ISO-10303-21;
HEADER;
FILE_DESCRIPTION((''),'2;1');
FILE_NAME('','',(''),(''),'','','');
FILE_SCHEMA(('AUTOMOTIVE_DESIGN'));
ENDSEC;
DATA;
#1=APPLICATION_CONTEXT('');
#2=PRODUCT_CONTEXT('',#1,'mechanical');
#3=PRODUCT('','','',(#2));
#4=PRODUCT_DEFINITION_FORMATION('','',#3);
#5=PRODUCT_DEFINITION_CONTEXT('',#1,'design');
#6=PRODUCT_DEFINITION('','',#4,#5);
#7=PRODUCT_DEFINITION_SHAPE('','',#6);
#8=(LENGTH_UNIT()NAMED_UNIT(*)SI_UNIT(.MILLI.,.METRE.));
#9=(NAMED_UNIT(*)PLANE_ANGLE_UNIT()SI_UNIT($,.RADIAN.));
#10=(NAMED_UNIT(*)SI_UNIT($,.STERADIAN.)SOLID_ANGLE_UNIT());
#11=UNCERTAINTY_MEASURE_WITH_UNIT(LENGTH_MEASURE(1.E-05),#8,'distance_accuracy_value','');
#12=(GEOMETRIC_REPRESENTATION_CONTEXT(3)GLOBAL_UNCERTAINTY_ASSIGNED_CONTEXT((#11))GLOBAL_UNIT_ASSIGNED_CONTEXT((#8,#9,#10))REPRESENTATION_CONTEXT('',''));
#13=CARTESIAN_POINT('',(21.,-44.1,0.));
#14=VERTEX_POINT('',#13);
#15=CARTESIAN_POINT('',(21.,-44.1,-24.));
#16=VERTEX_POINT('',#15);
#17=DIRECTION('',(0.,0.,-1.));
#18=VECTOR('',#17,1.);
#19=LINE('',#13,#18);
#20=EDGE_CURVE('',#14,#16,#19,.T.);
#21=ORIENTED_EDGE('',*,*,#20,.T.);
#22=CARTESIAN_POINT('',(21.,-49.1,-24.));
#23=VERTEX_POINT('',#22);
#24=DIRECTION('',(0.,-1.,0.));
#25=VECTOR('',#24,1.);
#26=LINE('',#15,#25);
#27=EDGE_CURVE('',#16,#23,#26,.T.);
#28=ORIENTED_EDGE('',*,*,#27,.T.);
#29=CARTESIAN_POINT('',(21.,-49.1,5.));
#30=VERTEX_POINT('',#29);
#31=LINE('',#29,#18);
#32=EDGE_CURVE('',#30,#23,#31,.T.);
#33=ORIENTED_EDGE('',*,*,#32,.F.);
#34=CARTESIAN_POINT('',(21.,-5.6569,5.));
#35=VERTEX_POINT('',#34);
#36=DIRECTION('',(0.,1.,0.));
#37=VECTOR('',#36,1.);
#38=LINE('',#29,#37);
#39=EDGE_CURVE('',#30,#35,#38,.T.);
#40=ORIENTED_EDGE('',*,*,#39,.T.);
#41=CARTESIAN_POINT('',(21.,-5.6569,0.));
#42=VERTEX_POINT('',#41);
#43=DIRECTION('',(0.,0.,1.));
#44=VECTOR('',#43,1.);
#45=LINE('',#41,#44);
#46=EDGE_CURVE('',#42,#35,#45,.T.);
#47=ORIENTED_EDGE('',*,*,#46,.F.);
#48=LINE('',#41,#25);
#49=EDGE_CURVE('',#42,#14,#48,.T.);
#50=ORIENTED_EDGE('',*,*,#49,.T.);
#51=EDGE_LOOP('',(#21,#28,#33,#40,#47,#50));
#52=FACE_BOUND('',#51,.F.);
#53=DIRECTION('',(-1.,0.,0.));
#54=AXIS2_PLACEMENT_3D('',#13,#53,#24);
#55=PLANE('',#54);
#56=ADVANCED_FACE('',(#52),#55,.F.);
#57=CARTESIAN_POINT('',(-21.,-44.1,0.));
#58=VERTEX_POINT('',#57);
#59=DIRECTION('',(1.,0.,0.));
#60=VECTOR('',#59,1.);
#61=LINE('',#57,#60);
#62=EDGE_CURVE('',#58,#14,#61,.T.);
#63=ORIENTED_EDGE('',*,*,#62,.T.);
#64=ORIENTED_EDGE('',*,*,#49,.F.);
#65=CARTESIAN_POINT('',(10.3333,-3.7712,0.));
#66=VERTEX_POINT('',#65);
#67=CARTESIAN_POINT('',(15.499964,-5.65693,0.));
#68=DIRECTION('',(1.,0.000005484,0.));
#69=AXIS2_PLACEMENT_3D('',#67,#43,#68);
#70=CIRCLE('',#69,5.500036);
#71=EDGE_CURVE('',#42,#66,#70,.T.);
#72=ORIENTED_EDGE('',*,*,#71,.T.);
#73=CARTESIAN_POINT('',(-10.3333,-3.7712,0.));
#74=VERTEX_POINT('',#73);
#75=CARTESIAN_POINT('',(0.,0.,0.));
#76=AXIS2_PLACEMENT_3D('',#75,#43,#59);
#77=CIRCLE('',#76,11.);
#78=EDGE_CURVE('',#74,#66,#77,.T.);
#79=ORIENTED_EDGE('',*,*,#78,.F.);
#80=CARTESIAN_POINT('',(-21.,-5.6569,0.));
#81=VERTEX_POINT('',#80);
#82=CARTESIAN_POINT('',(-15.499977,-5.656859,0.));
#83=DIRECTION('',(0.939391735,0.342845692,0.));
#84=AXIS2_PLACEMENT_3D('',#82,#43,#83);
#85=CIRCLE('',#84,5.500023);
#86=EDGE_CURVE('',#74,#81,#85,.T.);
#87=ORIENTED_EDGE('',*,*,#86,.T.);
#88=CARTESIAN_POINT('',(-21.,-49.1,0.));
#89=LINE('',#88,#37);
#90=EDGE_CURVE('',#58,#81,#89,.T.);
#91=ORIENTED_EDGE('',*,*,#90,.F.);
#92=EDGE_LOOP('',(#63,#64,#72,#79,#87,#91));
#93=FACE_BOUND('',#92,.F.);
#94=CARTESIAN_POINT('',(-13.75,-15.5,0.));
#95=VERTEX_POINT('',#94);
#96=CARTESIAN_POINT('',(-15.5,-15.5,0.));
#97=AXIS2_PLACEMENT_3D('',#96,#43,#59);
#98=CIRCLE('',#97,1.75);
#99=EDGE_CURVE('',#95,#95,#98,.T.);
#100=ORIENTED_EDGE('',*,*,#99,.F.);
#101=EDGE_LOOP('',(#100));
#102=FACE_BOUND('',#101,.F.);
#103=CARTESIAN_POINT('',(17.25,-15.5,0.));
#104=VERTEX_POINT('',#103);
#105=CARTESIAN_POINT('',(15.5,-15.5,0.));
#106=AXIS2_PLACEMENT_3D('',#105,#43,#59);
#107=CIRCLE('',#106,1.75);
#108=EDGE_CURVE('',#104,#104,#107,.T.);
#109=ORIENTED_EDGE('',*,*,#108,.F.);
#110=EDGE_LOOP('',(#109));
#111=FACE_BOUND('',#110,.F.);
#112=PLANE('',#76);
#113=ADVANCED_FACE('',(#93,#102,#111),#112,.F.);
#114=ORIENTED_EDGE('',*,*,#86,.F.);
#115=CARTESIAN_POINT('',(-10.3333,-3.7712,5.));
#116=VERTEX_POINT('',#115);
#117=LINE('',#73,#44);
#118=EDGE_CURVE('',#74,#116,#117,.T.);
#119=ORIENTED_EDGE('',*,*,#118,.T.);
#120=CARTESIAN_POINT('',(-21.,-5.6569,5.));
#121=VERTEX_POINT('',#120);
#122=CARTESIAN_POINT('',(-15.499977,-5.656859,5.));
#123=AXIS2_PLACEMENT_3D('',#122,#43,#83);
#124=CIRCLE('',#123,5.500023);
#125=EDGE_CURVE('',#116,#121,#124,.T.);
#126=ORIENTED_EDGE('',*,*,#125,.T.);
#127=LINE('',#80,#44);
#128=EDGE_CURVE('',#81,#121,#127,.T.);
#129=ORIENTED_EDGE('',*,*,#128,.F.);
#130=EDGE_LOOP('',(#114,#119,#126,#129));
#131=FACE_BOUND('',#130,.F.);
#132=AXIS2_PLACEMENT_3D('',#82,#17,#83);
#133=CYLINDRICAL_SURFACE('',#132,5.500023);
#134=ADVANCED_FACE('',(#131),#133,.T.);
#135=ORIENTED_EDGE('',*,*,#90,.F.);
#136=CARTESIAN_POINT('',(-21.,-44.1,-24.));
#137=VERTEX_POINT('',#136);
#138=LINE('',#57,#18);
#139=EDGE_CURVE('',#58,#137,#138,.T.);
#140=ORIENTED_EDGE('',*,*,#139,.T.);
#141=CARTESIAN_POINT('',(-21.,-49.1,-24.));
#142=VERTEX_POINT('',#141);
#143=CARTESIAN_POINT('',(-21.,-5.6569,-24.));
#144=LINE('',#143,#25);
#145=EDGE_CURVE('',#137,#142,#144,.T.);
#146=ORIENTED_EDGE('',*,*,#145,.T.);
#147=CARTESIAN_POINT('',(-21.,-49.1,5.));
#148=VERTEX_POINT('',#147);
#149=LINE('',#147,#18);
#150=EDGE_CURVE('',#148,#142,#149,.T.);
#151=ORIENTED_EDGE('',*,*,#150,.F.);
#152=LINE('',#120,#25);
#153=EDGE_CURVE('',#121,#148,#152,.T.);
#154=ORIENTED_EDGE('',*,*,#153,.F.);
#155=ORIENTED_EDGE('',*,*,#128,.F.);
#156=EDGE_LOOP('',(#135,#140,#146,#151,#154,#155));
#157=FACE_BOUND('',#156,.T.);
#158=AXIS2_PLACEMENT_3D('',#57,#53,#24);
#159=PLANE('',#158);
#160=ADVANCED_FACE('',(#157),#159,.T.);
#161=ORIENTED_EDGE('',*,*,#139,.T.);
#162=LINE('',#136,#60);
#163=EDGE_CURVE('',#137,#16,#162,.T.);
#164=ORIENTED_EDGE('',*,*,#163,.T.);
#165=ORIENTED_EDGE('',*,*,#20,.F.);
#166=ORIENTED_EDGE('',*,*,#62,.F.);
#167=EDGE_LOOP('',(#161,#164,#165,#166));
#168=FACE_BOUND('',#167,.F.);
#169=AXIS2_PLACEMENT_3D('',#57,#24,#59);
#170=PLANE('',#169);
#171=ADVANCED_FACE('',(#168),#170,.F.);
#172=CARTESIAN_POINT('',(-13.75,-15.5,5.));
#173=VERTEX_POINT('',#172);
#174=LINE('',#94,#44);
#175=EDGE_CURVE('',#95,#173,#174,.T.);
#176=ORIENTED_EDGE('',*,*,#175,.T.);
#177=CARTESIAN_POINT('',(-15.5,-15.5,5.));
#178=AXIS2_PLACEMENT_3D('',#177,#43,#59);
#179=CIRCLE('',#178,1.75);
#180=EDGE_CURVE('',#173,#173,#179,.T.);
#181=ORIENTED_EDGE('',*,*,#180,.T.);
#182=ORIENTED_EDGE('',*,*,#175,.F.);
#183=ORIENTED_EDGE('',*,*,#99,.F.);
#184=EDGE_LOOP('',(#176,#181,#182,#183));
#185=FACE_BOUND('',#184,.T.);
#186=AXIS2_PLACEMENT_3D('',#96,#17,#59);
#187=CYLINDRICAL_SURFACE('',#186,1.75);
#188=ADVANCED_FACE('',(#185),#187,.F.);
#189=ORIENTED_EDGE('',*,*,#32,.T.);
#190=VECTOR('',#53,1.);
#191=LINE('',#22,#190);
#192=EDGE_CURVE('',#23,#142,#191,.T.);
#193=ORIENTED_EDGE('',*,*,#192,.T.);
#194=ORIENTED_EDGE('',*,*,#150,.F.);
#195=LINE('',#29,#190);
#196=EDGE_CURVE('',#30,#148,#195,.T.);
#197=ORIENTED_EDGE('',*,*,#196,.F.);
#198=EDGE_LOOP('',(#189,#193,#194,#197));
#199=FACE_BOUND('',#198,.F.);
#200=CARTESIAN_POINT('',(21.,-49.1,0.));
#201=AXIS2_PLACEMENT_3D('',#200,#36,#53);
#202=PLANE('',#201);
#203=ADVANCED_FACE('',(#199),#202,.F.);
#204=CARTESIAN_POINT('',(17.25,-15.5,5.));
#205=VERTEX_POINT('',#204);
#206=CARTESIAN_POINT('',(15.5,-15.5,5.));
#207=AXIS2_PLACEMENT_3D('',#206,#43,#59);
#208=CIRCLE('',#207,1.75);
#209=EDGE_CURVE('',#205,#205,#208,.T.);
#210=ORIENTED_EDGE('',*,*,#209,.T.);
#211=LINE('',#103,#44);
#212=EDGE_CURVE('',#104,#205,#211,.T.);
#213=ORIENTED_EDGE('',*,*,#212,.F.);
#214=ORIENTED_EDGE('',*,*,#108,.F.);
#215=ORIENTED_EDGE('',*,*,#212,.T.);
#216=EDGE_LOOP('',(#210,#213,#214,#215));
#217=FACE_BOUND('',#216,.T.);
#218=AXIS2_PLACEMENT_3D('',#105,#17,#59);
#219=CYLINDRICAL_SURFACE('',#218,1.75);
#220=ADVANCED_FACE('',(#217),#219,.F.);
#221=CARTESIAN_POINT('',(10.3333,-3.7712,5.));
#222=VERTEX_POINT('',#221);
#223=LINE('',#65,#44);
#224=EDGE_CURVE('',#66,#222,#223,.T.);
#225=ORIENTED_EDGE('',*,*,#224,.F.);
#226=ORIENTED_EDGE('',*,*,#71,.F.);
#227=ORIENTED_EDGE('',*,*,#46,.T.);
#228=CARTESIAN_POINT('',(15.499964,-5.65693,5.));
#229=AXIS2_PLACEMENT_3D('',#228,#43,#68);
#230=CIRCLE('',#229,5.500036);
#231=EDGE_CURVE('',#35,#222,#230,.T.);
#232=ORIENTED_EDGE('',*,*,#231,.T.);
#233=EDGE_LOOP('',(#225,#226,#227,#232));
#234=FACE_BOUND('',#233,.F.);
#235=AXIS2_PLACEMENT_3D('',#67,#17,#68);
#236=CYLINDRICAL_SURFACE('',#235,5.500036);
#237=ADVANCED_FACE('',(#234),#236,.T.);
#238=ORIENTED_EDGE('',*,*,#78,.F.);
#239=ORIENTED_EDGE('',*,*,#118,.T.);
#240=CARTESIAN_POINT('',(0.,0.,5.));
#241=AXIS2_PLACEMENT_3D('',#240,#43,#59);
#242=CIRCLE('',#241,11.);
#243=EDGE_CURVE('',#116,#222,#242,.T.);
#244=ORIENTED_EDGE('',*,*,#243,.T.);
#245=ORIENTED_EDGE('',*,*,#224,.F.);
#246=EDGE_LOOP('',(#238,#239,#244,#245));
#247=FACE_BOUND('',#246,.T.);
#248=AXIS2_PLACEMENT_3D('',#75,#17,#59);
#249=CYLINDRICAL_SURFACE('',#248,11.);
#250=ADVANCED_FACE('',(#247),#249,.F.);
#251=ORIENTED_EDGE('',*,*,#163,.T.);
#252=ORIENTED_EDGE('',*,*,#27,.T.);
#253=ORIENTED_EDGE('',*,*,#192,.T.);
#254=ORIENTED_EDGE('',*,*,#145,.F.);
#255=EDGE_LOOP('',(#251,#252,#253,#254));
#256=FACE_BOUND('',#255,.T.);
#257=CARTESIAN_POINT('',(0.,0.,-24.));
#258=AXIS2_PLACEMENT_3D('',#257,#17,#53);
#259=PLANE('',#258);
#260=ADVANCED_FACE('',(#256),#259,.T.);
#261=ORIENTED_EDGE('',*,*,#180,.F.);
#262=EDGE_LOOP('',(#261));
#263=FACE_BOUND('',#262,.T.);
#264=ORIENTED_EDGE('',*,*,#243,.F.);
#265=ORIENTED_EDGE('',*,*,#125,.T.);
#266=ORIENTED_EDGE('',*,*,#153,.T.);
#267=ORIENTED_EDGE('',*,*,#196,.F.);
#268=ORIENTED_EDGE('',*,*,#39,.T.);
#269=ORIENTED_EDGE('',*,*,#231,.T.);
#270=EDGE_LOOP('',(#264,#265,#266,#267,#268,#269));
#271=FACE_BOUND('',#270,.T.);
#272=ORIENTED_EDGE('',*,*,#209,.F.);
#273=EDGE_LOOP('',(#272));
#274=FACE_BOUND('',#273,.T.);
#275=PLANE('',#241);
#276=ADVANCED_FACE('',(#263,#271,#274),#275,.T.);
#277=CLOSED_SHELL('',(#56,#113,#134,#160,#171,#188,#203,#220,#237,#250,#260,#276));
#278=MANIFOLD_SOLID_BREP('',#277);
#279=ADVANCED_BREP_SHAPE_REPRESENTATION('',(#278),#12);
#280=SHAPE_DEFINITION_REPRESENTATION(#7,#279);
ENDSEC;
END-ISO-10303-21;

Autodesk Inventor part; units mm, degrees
ref_plane "YZ Plane" through (0, 0, 0) normal (1, 0, 0) x (0, 1, 0)
ref_plane "XZ Plane" through (0, 0, 0) normal (0, 1, 0) x (-1, 0, 0)
ref_plane "XY Plane" through (0, 0, 0) normal (0, 0, 1) x (1, 0, 0)
ref_plane "Work Plane1" through (0, 0, 0) normal (0, 0, 1) x (1, 0, 0)
sketch "Sketch1" plane through (0, 0, 0) normal (0, 0, 1) x (1, 0, 0)
  circle A0 centre (0, 0) radius 11 projected
  circle A1 centre (-15.5, -15.5) radius 1.75 projected
  circle A2 centre (15.5, -15.5) radius 1.75 projected
  circle A3 centre (15.5, 15.5) radius 1.75 projected
  circle A4 centre (-15.5, 15.5) radius 1.75 projected
  line L0 (-21, 21) -> (21, 21) projected
  line L1 (-21, -21) -> (-21, 21) projected
  line L2 (21, -21) -> (-21, -21) projected
  line L3 (21, 21) -> (21, -21) projected
  line L4 (40.7911, -42.1) -> (-34.1821, -42.1) projected
  line L5 (21, -44.1) -> (-21, -44.1)
  arc A5 (-10.3333, -3.7712) -> (-21, -5.6569) centre (-15.5, -5.6569) ccw
  arc A6 (-10.3333, -3.7712) -> (10.3333, -3.7712) centre (0, 0) ccw
  arc A7 (21, -5.6569) -> (10.3333, -3.7712) centre (15.5, -5.6569) ccw
  line L6 (-21, -5.6569) -> (-21, -44.1)
  line L7 (21, -5.6569) -> (21, -44.1)
  line L8 (-21, -21) -> (21, -21)
  line L9 (21, -21) -> (21, -49.1)
  line L10 (21, -49.1) -> (-21, -49.1)
  line L11 (-21, -49.1) -> (-21, -21)
  point P0 (0, 0)
  dimension "d0" = 2
  dimension "d1" = 5
extrude "Extrusion1" add sketch "Sketch1" along normal blind 5 contours A0 A7 L3 L2 L1 A5 | L2 L7 L4 L6 | L4 L7 L5 L6 | L5 L9 L10 L11
sketch "Sketch2" plane through (0, 0, 0) normal (0, 0, -1) x (-1, 0, 0)
  line L0 (-21, -49.1) -> (21, -49.1) projected
  line L1 (21, -5.6569) -> (21, -49.1) projected
  line L2 (-21, -49.1) -> (21, -49.1)
  line L3 (21, -49.1) -> (21, -44.1)
  line L4 (21, -44.1) -> (-21, -44.1)
  line L5 (-21, -44.1) -> (-21, -49.1)
  point P0 (0, 0)
  dimension "d4" = 5
extrude "Extrusion2" add sketch "Sketch2" along normal blind 24
properties part number "Shelf Braket"
